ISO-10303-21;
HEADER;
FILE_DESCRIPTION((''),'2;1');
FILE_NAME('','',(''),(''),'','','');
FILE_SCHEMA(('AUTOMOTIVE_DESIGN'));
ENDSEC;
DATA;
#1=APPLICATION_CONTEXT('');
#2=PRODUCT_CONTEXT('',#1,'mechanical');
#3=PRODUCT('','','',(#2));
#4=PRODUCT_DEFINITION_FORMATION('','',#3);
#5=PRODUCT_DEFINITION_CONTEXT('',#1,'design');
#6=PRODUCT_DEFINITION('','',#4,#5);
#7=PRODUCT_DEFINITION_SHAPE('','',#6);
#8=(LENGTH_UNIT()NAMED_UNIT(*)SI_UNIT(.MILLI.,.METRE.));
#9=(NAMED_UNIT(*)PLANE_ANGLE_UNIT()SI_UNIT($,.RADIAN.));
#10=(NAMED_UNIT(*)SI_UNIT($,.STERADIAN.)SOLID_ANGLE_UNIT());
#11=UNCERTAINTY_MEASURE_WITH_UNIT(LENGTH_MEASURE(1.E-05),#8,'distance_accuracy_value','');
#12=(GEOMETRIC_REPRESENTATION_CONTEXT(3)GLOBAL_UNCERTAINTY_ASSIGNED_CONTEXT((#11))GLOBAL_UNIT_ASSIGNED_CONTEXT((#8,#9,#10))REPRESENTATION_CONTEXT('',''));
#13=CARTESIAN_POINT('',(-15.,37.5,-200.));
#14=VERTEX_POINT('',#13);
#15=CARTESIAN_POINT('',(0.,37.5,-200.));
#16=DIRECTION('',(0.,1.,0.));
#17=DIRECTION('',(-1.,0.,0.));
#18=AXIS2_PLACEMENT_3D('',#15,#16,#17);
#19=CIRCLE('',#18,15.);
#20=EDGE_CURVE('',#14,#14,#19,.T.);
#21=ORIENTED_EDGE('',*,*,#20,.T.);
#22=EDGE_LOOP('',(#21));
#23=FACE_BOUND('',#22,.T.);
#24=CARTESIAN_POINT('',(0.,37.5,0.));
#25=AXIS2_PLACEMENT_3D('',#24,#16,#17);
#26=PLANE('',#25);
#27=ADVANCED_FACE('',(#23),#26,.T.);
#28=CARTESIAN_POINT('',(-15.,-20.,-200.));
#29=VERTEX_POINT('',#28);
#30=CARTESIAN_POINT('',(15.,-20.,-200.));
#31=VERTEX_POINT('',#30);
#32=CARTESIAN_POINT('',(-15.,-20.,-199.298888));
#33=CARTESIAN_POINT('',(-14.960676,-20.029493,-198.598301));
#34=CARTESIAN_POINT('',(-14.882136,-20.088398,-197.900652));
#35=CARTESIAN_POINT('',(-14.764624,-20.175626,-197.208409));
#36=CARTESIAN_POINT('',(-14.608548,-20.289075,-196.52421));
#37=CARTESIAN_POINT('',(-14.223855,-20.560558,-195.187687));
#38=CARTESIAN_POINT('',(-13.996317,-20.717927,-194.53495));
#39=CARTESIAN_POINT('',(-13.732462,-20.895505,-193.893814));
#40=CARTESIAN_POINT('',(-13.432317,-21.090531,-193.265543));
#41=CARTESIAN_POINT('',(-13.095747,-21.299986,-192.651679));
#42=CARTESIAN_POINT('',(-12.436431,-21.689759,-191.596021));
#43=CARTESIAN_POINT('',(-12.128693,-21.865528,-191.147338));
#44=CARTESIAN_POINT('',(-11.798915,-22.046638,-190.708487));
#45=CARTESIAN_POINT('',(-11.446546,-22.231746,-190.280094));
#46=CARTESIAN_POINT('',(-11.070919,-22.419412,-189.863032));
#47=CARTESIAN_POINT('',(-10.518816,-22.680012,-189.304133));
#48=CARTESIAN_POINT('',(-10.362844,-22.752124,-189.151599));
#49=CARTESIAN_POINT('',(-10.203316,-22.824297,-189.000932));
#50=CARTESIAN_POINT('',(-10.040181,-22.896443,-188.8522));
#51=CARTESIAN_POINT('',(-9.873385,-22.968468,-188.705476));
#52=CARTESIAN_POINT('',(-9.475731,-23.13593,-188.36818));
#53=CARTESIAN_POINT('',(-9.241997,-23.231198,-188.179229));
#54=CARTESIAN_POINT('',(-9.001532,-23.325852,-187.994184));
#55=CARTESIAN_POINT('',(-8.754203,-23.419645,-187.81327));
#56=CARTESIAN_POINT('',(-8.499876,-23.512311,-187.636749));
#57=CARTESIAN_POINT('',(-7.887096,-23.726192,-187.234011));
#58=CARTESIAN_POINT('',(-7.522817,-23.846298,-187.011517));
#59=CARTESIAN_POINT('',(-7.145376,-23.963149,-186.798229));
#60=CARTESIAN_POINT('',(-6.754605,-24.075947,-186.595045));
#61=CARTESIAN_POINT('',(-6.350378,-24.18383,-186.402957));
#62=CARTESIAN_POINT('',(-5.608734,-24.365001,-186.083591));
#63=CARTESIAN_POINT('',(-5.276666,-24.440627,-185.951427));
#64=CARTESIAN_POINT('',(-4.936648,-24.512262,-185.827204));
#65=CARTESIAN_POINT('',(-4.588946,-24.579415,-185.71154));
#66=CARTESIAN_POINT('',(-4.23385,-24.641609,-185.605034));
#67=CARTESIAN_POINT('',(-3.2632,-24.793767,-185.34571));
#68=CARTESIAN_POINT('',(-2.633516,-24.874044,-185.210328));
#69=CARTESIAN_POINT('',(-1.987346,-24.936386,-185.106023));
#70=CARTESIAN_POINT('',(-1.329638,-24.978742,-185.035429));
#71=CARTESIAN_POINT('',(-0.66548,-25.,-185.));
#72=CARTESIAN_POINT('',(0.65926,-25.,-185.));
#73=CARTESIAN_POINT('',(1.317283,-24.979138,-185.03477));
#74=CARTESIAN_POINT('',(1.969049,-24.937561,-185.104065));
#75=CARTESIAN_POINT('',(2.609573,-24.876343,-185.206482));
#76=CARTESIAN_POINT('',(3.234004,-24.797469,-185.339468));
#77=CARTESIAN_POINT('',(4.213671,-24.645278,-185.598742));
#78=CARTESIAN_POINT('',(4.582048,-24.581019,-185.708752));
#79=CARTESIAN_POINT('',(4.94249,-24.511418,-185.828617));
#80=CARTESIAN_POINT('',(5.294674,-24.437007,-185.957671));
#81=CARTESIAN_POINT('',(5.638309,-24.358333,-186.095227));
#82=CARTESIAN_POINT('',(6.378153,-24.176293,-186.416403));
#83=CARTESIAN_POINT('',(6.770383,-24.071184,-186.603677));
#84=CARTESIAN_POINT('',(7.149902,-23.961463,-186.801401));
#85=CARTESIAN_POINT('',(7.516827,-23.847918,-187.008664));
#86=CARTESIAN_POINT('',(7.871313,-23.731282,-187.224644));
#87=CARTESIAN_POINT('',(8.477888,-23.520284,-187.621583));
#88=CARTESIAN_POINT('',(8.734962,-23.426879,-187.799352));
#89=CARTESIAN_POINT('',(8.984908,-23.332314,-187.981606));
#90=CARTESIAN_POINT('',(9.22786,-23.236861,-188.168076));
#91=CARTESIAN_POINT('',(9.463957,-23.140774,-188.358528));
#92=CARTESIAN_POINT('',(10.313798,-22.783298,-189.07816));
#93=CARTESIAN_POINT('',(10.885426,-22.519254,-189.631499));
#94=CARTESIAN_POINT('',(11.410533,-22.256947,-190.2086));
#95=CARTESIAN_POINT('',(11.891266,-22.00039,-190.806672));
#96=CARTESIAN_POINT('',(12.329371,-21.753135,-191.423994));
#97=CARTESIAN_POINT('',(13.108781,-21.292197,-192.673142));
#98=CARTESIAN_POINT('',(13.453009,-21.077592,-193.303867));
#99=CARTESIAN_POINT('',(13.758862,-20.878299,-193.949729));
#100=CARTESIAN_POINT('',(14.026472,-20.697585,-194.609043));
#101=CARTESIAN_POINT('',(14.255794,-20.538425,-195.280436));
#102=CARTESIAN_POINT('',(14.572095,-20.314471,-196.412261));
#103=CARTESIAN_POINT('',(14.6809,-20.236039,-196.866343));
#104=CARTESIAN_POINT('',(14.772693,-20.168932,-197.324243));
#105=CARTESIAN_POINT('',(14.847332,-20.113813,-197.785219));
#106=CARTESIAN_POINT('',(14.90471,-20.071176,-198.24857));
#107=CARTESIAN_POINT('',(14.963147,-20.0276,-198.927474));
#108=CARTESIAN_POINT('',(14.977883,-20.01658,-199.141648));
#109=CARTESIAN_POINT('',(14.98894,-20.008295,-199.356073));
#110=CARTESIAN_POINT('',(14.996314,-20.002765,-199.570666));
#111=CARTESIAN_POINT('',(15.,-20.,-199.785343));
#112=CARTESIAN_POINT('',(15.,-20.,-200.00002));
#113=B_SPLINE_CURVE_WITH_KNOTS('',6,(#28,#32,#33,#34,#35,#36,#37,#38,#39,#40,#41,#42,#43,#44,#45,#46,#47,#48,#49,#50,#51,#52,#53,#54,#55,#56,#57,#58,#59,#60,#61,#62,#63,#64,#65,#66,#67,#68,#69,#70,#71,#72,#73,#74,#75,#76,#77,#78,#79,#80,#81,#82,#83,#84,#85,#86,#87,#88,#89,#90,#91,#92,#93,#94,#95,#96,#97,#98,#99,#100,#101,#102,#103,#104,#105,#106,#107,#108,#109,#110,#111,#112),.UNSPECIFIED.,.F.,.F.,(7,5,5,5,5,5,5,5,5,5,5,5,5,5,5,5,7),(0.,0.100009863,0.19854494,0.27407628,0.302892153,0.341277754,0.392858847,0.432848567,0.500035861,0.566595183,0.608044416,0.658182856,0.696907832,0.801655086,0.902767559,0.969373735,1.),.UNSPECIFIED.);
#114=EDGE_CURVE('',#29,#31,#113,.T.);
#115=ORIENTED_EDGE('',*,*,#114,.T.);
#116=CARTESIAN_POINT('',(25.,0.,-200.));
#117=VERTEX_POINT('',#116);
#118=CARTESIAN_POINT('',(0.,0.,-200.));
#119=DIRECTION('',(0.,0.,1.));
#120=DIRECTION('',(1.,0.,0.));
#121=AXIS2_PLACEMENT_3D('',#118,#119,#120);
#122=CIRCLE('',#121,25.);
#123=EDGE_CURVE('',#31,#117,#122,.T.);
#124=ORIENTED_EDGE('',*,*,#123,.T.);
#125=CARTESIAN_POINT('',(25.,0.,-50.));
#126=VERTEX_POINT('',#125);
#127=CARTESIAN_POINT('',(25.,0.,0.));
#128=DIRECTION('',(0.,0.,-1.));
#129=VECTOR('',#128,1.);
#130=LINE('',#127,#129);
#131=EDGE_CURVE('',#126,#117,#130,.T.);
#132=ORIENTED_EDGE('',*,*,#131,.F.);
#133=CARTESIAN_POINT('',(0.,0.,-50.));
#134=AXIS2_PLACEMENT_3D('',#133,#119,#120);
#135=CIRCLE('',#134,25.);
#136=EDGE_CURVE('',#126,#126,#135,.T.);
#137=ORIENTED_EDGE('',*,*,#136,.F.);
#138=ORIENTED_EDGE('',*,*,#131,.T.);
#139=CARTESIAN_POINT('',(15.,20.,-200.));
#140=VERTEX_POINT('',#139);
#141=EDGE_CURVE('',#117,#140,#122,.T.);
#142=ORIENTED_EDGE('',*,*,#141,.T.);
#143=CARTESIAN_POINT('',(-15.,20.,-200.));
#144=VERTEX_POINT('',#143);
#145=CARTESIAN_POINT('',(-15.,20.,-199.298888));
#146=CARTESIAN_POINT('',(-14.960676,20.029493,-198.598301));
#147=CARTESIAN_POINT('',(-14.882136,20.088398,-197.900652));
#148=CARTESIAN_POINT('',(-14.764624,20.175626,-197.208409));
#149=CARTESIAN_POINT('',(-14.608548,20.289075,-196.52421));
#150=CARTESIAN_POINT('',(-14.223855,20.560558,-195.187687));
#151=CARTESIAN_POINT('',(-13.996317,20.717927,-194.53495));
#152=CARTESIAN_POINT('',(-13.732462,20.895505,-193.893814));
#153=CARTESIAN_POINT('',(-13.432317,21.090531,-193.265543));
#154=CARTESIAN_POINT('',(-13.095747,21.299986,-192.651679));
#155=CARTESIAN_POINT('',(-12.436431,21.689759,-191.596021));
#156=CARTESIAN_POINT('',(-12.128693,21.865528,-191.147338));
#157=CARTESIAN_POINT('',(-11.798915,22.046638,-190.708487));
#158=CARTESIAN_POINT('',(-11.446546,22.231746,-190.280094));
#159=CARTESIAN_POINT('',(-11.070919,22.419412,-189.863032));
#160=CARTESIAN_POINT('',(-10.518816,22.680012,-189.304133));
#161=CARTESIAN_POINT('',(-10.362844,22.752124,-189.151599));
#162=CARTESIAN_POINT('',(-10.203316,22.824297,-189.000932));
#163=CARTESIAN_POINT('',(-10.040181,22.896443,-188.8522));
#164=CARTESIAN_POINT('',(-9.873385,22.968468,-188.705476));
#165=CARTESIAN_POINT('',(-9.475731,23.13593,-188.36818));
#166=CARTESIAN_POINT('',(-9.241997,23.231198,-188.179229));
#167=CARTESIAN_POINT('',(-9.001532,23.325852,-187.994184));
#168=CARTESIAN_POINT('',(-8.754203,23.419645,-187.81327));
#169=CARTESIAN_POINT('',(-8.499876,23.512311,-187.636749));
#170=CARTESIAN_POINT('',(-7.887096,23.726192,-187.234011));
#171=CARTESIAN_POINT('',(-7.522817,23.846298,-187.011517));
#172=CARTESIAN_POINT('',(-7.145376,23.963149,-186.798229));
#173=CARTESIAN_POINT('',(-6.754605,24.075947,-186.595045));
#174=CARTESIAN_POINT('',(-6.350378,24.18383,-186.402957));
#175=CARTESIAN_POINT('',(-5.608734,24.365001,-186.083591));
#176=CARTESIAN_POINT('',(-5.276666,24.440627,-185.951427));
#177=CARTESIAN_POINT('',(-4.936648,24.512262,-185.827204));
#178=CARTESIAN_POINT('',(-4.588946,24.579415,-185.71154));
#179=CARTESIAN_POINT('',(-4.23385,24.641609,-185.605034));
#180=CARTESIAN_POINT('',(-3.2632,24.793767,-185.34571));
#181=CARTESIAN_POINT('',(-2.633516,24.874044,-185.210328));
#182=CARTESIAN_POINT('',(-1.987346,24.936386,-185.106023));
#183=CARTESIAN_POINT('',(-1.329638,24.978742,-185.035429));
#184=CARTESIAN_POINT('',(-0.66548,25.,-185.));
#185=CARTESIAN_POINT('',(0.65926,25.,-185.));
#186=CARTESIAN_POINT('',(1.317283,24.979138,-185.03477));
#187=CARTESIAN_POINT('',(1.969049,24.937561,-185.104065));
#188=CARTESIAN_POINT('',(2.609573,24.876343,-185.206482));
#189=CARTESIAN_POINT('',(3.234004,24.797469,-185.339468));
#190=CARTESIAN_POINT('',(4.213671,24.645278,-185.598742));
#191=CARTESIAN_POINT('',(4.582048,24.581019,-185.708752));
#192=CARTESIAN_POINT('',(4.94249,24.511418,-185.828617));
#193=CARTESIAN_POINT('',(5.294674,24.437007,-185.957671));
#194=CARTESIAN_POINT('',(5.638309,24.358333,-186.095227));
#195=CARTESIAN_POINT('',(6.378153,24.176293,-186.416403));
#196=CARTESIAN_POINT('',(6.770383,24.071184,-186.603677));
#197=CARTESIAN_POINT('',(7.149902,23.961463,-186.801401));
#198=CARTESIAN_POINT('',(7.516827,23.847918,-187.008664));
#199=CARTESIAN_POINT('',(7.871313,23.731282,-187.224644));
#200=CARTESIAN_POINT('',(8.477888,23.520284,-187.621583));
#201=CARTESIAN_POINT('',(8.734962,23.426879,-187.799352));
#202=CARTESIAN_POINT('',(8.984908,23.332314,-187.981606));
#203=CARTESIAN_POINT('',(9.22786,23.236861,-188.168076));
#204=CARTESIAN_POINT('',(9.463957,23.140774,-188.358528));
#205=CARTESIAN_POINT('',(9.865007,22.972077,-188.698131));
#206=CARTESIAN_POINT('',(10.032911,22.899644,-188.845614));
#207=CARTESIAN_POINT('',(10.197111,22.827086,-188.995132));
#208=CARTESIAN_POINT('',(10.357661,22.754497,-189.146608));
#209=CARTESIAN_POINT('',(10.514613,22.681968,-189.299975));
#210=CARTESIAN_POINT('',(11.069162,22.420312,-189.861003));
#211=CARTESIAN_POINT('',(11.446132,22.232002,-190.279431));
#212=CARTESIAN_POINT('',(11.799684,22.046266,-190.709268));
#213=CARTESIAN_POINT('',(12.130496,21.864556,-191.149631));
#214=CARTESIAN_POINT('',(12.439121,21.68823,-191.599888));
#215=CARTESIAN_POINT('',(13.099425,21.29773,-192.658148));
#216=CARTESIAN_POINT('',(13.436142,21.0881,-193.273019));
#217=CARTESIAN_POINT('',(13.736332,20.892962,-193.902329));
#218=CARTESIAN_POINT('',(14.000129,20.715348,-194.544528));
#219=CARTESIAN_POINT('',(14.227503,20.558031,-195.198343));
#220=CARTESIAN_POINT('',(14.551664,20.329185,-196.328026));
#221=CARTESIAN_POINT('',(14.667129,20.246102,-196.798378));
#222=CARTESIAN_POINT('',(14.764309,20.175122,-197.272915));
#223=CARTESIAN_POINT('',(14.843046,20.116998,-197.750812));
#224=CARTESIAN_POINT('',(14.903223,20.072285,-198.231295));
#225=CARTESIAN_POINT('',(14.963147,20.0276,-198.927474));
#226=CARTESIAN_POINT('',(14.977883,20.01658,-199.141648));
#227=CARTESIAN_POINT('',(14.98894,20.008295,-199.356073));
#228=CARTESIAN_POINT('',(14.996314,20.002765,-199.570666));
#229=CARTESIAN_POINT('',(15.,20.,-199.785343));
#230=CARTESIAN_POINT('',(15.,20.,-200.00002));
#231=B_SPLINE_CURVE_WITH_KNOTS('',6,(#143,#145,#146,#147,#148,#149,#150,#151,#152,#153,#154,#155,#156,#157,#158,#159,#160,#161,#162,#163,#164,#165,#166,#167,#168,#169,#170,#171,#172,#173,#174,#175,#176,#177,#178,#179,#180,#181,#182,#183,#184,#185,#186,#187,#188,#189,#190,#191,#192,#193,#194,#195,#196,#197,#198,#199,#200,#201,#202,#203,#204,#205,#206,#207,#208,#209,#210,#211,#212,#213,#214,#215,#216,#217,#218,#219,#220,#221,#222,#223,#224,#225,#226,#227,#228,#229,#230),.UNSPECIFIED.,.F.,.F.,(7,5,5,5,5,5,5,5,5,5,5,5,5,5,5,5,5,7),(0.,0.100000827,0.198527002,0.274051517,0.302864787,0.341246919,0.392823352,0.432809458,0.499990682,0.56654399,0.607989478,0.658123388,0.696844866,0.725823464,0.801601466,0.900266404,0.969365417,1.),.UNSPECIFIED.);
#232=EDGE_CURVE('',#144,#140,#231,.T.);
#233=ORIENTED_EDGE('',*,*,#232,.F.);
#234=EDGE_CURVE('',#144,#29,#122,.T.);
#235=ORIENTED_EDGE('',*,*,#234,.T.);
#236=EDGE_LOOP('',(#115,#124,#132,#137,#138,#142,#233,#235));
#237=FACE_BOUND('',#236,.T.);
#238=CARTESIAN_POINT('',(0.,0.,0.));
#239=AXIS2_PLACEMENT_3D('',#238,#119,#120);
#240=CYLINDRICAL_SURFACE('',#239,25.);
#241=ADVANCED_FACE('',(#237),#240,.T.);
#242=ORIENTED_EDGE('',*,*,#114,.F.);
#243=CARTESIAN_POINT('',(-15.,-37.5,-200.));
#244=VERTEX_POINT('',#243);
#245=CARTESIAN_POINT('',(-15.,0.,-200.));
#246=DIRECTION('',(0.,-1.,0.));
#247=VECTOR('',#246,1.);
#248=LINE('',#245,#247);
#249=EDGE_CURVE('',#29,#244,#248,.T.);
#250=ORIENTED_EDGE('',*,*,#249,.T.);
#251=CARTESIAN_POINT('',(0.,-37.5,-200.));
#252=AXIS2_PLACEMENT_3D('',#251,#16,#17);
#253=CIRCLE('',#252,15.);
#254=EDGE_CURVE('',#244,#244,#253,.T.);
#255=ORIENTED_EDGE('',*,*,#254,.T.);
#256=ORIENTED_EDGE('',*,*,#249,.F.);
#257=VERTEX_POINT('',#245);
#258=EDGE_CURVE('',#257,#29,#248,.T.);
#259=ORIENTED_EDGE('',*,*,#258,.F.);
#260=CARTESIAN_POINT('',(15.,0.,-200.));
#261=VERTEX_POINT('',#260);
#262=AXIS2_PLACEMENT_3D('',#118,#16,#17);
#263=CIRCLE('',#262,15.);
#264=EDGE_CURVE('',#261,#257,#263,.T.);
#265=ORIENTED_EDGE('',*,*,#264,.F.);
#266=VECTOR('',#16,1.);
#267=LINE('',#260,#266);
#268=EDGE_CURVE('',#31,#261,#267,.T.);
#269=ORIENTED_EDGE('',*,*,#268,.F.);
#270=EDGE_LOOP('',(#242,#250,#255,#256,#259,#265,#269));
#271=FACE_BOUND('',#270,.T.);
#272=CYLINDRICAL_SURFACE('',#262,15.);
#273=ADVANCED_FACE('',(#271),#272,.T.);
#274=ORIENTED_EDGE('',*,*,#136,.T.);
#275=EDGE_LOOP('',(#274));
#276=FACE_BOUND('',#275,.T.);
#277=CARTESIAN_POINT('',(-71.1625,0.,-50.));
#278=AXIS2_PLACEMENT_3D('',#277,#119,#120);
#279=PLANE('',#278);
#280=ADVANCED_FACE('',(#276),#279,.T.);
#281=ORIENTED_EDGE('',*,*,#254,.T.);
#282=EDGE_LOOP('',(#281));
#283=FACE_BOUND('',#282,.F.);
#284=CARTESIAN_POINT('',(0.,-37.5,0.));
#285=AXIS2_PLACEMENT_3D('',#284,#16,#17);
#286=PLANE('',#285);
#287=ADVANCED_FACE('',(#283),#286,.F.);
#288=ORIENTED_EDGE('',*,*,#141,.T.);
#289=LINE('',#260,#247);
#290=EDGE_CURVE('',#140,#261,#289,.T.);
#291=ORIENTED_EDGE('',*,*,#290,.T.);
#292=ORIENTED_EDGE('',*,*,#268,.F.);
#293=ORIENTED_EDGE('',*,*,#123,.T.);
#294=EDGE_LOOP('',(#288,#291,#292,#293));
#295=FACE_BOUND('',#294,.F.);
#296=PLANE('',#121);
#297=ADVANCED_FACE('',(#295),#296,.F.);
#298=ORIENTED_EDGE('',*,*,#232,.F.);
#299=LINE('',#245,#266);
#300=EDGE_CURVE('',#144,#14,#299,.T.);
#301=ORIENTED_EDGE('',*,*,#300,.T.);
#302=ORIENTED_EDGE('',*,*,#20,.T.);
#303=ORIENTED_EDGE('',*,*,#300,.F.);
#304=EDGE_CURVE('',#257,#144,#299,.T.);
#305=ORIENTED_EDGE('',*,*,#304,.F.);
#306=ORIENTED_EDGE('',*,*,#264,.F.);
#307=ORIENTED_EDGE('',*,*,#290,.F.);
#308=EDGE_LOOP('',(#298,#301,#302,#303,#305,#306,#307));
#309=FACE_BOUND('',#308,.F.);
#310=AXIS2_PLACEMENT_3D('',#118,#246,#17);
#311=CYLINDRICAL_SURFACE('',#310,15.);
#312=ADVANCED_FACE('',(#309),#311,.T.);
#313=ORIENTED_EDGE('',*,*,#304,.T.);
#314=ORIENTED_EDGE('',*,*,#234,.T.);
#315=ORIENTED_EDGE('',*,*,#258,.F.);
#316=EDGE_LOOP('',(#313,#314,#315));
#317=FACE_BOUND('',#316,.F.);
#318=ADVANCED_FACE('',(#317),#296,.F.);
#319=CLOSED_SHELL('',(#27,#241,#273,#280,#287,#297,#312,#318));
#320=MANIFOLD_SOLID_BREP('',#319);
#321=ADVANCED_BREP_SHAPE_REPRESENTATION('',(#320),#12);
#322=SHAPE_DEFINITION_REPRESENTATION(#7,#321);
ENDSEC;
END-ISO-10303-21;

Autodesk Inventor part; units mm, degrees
ref_plane "作業平面1" through (0, 0, -200) normal (0, 0, 1) x (1, 0, 0)
sketch "スケッチ3" plane through (0, 0, 0) normal (0, 0, 1) x (1, 0, 0)
  circle A0 centre (0, 0) radius 25
  dimension "d7" = 50
extrude "押し出し2" add sketch "スケッチ3" against normal blind 200
sketch "スケッチ4" plane through (0, 0, 0) normal (0, 1, 0) x (-1, 0, 0)
  line L0 (71.1625, -50) -> (-59.4219, -50)
  line L1 (-59.4219, -50) -> (-59.4219, 51.3951)
  line L2 (-59.4219, 51.3951) -> (71.1625, 51.3951)
  line L3 (71.1625, 51.3951) -> (71.1625, -50)
  line L4 (-85.5387, 0) -> (97.2793, 0) projected
  point P0 (0, 0)
  dimension "d10" = 50
extrude "押し出し3" cut sketch "スケッチ4" against normal mid plane 200
sketch "スケッチ5" plane through (0, 0, 0) normal (0, 1, 0) x (-1, 0, 0)
  circle A0 centre (0, -200) radius 15
  line L0 (-35, 0) -> (35, 0) projected
  point P0 (0, 0)
  dimension "d13" = 30
  dimension "d14" = 200
extrude "押し出し4" add sketch "スケッチ5" along normal mid plane 75
properties part number "LowerarmY"
